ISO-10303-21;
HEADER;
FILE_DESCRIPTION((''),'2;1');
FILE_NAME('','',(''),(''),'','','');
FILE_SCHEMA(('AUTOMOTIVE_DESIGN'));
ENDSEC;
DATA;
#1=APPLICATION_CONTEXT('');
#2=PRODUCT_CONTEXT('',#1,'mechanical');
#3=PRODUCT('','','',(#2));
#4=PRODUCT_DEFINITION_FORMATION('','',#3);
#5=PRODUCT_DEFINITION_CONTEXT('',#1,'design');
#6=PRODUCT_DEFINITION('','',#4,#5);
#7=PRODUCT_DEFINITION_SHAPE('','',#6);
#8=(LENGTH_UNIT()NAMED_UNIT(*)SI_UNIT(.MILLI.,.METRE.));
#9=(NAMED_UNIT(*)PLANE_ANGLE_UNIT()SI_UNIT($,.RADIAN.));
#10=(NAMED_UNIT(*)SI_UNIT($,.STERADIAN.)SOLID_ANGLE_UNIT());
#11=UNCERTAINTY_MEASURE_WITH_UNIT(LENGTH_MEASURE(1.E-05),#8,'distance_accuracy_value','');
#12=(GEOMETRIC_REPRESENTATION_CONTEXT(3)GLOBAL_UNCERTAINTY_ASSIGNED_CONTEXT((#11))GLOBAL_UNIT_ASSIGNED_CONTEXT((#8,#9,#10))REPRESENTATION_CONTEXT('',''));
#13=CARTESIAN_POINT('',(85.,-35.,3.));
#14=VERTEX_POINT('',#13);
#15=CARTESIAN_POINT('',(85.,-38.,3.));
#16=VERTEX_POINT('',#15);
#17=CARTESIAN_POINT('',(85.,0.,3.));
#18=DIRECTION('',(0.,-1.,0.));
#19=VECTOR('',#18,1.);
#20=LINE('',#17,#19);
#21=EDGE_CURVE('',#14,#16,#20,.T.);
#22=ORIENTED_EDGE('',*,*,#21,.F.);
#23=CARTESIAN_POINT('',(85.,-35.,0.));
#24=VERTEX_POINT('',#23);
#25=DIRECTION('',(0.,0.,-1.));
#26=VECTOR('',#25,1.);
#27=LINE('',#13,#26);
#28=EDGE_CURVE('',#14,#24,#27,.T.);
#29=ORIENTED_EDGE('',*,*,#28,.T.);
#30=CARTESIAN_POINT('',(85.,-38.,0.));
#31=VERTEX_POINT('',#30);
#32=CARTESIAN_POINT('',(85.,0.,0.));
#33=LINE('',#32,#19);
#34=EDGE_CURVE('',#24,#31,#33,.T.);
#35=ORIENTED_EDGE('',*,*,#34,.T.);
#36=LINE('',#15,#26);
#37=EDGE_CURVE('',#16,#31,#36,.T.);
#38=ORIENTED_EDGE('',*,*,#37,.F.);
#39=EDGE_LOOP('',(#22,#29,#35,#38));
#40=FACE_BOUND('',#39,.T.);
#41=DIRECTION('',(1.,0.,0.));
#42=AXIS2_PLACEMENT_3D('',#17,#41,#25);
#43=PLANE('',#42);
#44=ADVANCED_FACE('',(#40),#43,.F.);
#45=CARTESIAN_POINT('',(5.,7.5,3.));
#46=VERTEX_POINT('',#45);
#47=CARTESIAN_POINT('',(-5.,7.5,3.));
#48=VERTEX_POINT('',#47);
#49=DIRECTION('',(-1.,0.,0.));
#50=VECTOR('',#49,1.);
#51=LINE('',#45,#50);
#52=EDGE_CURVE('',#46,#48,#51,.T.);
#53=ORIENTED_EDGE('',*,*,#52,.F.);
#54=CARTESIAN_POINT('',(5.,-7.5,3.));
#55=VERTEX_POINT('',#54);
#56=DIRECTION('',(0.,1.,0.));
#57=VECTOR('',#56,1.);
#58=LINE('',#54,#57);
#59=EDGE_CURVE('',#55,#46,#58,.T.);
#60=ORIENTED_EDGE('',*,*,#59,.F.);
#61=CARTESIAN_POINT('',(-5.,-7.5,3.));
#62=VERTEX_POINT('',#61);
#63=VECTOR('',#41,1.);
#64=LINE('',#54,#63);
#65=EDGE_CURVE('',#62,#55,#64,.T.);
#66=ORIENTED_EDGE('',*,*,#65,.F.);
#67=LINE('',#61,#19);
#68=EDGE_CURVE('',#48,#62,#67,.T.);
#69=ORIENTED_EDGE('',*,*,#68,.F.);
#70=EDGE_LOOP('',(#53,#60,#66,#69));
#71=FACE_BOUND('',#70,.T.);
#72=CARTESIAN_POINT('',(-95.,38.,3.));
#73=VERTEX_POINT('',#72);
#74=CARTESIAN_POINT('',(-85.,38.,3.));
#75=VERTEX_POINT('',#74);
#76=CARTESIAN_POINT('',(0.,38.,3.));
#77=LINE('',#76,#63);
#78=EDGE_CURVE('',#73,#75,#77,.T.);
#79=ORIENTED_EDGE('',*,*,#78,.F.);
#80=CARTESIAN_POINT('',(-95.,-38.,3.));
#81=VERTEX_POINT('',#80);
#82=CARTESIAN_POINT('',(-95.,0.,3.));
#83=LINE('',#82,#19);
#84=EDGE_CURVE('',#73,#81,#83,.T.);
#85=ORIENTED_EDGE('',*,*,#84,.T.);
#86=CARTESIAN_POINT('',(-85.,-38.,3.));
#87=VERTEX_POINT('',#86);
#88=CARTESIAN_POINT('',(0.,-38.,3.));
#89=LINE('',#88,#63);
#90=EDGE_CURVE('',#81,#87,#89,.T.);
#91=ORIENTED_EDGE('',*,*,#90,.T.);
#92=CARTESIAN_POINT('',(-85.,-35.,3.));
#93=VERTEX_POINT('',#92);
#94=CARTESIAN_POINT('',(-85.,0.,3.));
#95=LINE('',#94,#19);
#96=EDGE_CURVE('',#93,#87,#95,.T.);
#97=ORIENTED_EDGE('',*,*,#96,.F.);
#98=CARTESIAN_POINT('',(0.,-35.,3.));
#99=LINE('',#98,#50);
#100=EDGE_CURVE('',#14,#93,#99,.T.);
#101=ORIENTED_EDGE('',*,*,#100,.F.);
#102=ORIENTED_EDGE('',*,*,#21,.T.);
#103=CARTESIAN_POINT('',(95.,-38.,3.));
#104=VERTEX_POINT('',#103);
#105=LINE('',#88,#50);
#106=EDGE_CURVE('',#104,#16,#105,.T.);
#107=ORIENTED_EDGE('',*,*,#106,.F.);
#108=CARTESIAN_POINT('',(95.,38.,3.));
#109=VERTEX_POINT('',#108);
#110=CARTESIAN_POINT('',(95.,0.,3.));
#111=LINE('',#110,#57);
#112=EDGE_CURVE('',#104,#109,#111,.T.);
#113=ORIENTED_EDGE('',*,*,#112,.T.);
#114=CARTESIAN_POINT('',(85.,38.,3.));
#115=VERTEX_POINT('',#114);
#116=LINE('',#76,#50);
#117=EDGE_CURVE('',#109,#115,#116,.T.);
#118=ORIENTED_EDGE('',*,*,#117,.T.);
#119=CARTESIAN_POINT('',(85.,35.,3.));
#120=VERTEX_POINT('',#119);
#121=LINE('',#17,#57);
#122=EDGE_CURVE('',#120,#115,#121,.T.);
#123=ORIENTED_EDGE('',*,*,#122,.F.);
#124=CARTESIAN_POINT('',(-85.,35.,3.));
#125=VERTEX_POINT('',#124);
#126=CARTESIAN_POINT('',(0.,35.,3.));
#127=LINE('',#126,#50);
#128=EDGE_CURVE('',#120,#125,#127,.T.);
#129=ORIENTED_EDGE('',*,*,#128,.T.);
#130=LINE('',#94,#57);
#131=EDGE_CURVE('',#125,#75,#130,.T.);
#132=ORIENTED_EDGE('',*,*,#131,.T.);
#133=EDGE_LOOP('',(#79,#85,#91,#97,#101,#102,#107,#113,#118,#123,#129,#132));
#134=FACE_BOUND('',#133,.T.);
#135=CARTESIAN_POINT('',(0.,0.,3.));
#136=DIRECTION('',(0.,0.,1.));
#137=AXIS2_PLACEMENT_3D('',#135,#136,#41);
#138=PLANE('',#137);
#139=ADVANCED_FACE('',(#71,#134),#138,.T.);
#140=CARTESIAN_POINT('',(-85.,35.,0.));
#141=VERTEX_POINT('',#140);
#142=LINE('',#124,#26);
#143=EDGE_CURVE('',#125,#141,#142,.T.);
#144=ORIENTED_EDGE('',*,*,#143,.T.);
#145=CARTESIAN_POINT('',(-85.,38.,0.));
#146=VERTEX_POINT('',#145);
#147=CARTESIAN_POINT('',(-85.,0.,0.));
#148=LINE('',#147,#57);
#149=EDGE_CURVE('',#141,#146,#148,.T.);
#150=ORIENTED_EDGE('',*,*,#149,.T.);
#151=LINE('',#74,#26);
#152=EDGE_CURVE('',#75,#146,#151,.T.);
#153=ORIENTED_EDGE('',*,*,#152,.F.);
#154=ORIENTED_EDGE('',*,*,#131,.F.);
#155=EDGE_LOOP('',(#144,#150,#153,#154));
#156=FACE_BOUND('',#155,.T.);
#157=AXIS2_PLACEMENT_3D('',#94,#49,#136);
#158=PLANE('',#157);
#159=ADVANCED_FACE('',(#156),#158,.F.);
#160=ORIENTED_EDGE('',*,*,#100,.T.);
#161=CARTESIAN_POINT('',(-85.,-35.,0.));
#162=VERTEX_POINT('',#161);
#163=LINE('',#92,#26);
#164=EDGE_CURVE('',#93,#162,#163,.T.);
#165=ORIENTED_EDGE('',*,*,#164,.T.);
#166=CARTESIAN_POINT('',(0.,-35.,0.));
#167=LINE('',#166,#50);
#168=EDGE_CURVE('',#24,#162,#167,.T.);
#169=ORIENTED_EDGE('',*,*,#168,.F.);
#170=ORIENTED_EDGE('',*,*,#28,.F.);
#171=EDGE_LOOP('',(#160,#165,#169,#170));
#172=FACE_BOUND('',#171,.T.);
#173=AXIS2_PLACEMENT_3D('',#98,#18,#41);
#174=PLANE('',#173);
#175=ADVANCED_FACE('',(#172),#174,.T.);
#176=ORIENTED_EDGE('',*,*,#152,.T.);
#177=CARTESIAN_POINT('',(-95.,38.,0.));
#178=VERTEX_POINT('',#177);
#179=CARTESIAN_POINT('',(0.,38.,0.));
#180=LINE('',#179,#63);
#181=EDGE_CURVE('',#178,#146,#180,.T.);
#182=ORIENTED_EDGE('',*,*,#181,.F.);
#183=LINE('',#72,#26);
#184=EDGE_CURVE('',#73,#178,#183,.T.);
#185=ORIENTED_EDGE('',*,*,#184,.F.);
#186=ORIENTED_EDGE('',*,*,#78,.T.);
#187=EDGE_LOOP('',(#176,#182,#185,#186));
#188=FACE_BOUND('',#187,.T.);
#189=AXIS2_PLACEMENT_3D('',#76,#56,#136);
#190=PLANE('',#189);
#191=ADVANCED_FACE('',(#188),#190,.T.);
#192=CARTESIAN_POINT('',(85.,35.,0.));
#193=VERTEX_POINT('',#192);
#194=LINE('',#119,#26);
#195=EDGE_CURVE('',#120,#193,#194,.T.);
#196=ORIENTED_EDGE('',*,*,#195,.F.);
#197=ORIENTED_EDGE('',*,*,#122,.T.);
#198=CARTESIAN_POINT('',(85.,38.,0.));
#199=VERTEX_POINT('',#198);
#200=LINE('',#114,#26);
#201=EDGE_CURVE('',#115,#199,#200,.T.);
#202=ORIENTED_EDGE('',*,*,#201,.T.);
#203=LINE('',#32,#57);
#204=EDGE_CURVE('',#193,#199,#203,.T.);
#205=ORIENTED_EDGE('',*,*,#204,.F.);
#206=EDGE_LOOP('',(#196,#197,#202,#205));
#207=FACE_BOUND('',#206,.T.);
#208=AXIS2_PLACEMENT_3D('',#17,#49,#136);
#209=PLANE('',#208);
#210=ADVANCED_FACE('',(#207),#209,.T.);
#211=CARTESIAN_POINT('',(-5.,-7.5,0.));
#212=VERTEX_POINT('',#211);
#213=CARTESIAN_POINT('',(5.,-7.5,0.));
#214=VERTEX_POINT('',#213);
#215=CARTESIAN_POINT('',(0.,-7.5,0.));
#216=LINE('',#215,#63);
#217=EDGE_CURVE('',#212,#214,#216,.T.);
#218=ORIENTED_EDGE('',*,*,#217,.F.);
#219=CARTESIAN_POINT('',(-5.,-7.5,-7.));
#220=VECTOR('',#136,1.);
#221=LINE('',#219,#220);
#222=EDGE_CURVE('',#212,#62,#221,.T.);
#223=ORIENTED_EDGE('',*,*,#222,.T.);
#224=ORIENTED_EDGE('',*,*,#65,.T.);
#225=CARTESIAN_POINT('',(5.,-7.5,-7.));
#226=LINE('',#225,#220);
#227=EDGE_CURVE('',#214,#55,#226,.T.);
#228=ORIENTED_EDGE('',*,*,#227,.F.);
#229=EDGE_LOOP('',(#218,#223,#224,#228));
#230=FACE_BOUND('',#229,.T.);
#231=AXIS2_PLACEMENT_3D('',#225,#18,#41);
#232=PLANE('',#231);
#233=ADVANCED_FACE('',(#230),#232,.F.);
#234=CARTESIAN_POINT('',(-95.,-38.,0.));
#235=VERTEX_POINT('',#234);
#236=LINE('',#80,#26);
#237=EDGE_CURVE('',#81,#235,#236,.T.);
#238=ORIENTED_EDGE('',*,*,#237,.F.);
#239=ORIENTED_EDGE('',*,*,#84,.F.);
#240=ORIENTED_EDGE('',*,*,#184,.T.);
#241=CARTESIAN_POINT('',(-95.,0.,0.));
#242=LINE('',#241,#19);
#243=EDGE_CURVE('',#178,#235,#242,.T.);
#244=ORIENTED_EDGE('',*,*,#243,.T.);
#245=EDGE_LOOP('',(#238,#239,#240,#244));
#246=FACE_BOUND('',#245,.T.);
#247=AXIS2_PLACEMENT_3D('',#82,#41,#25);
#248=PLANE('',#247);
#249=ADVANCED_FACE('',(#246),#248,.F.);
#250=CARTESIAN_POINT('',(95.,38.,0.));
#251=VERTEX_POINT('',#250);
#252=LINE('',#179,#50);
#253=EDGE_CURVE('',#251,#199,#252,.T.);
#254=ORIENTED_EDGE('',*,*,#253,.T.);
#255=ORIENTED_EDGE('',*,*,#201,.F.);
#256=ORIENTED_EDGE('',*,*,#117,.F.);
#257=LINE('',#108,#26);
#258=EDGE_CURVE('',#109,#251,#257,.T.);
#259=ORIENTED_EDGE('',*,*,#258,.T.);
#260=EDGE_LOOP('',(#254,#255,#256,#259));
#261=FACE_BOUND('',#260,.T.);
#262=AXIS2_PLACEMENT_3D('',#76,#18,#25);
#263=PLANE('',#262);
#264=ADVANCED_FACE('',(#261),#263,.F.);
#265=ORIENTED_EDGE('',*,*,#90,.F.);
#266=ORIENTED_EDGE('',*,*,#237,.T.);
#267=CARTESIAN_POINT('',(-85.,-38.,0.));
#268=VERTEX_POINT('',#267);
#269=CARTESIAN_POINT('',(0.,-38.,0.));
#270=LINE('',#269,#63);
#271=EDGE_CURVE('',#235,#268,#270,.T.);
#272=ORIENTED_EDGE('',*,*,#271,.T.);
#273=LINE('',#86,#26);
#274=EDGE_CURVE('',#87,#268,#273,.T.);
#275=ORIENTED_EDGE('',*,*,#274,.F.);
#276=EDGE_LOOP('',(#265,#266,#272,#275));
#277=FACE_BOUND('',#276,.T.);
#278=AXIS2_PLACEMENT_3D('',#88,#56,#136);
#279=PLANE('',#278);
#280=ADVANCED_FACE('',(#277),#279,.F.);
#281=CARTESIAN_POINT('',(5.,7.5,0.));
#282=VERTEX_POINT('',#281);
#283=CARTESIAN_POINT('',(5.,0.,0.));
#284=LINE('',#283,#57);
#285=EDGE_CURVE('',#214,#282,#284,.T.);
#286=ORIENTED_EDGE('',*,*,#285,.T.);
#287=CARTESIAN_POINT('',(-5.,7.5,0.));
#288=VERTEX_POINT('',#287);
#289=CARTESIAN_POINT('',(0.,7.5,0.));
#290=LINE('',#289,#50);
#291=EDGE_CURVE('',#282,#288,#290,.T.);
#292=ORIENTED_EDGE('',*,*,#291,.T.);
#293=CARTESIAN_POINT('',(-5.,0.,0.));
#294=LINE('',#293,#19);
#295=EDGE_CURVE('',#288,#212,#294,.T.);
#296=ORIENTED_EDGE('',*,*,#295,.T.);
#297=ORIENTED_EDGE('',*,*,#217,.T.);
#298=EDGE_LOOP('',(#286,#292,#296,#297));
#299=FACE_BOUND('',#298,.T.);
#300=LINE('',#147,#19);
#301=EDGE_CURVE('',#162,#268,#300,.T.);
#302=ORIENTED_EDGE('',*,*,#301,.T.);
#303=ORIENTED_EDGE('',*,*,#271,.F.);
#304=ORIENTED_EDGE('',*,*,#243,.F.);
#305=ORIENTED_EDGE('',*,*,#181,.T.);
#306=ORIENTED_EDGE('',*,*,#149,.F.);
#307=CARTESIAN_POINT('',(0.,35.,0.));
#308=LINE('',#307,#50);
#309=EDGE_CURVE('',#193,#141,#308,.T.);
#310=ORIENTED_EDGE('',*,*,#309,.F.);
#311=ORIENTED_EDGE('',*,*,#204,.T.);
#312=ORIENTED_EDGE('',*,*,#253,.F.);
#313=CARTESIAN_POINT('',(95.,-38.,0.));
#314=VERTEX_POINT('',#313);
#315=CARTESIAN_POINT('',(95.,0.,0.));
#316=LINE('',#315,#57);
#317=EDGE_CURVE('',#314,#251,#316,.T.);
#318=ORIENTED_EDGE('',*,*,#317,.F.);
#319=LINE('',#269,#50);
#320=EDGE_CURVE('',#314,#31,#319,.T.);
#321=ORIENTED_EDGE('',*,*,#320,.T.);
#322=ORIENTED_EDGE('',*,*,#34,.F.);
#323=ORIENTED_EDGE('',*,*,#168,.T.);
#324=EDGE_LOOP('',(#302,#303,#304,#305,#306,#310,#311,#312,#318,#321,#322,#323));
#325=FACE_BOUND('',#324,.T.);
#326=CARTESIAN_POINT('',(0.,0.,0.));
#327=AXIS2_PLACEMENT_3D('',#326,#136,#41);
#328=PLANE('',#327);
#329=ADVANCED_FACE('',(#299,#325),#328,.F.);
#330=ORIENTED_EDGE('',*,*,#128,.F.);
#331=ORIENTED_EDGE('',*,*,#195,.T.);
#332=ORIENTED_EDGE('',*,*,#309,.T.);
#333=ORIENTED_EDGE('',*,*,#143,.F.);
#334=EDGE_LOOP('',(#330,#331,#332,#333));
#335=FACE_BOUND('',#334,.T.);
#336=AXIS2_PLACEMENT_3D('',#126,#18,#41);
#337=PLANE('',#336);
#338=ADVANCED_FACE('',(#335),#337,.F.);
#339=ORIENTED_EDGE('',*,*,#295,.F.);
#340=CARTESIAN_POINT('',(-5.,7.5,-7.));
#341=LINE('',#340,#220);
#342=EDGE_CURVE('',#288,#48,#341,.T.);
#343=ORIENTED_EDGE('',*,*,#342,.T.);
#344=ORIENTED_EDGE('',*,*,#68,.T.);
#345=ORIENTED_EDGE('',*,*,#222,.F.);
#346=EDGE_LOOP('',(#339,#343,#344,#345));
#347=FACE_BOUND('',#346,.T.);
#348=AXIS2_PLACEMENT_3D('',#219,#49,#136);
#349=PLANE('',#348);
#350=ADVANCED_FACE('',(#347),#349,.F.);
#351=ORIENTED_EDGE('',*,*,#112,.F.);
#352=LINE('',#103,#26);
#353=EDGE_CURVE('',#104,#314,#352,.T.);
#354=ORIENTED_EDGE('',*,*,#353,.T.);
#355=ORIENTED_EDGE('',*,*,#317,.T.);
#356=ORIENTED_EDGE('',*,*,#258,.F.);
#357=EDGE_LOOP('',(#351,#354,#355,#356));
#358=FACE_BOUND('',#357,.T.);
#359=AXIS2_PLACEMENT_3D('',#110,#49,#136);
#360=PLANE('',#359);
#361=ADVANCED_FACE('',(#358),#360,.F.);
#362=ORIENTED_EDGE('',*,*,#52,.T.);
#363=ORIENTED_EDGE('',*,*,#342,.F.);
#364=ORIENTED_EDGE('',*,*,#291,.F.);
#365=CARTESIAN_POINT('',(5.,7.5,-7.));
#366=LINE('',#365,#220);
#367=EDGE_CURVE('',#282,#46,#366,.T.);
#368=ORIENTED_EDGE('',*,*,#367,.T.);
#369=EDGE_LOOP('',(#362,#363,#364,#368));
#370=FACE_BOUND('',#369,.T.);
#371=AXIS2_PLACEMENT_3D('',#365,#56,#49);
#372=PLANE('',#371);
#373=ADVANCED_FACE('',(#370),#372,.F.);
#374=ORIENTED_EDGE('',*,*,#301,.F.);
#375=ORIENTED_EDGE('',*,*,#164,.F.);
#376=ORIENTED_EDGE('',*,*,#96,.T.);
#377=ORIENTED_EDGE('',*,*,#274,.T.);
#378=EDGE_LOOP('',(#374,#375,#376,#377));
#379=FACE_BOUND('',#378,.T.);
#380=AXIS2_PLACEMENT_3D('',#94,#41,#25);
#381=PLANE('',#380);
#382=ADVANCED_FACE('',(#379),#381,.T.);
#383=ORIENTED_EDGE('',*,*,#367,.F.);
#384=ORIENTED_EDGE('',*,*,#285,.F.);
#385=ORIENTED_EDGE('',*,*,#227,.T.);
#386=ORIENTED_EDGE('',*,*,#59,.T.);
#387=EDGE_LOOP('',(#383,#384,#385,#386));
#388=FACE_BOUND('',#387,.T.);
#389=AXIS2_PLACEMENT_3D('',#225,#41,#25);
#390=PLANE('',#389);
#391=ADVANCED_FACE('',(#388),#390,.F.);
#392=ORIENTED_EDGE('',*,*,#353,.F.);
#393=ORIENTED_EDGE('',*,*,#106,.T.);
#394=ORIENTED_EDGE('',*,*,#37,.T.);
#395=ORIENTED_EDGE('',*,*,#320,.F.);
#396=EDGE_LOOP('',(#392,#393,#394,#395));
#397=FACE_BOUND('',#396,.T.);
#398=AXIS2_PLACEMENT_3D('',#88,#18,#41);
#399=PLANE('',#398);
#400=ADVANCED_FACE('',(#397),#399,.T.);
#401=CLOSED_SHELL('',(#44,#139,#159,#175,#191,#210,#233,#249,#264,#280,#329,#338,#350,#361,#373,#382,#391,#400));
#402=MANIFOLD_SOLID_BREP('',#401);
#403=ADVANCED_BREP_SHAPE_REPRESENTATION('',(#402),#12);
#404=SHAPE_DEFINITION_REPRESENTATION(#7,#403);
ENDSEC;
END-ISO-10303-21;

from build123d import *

# Parameters (mm, degrees)
ESBO_O1_W                = 10
ESBO_O1_H                = 3
ESBO_O1_W_2              = 190
ESBO_O1_H_2              = 70
RESSALTO_EXTRUS_O1_DEPTH = 3
ESBO_O2_W                = 10
ESBO_O2_H                = 15
CORTE_EXTRUS_O1_DEPTH    = 10


with BuildPart() as part:
    # Esboço1 → Ressalto-extrusão1 (new body)
    with BuildSketch(Plane.XY):
        with Locations((-90, -36.5)):
            Rectangle(ESBO_O1_W, ESBO_O1_H)
        with Locations((-90, 36.5)):
            Rectangle(ESBO_O1_W, ESBO_O1_H)
        Rectangle(ESBO_O1_W_2, ESBO_O1_H_2)
        with Locations((90, 36.5)):
            Rectangle(ESBO_O1_W, ESBO_O1_H)
        with Locations((90, -36.5)):
            Rectangle(ESBO_O1_W, ESBO_O1_H)
    extrude(amount=RESSALTO_EXTRUS_O1_DEPTH)

    # Esboço2 → Corte-extrusão1 (cut)
    with BuildSketch(Plane.XY.offset(3)):
        Rectangle(ESBO_O2_W, ESBO_O2_H)
    extrude(amount=-CORTE_EXTRUS_O1_DEPTH, mode=Mode.SUBTRACT)


solid = part.part
